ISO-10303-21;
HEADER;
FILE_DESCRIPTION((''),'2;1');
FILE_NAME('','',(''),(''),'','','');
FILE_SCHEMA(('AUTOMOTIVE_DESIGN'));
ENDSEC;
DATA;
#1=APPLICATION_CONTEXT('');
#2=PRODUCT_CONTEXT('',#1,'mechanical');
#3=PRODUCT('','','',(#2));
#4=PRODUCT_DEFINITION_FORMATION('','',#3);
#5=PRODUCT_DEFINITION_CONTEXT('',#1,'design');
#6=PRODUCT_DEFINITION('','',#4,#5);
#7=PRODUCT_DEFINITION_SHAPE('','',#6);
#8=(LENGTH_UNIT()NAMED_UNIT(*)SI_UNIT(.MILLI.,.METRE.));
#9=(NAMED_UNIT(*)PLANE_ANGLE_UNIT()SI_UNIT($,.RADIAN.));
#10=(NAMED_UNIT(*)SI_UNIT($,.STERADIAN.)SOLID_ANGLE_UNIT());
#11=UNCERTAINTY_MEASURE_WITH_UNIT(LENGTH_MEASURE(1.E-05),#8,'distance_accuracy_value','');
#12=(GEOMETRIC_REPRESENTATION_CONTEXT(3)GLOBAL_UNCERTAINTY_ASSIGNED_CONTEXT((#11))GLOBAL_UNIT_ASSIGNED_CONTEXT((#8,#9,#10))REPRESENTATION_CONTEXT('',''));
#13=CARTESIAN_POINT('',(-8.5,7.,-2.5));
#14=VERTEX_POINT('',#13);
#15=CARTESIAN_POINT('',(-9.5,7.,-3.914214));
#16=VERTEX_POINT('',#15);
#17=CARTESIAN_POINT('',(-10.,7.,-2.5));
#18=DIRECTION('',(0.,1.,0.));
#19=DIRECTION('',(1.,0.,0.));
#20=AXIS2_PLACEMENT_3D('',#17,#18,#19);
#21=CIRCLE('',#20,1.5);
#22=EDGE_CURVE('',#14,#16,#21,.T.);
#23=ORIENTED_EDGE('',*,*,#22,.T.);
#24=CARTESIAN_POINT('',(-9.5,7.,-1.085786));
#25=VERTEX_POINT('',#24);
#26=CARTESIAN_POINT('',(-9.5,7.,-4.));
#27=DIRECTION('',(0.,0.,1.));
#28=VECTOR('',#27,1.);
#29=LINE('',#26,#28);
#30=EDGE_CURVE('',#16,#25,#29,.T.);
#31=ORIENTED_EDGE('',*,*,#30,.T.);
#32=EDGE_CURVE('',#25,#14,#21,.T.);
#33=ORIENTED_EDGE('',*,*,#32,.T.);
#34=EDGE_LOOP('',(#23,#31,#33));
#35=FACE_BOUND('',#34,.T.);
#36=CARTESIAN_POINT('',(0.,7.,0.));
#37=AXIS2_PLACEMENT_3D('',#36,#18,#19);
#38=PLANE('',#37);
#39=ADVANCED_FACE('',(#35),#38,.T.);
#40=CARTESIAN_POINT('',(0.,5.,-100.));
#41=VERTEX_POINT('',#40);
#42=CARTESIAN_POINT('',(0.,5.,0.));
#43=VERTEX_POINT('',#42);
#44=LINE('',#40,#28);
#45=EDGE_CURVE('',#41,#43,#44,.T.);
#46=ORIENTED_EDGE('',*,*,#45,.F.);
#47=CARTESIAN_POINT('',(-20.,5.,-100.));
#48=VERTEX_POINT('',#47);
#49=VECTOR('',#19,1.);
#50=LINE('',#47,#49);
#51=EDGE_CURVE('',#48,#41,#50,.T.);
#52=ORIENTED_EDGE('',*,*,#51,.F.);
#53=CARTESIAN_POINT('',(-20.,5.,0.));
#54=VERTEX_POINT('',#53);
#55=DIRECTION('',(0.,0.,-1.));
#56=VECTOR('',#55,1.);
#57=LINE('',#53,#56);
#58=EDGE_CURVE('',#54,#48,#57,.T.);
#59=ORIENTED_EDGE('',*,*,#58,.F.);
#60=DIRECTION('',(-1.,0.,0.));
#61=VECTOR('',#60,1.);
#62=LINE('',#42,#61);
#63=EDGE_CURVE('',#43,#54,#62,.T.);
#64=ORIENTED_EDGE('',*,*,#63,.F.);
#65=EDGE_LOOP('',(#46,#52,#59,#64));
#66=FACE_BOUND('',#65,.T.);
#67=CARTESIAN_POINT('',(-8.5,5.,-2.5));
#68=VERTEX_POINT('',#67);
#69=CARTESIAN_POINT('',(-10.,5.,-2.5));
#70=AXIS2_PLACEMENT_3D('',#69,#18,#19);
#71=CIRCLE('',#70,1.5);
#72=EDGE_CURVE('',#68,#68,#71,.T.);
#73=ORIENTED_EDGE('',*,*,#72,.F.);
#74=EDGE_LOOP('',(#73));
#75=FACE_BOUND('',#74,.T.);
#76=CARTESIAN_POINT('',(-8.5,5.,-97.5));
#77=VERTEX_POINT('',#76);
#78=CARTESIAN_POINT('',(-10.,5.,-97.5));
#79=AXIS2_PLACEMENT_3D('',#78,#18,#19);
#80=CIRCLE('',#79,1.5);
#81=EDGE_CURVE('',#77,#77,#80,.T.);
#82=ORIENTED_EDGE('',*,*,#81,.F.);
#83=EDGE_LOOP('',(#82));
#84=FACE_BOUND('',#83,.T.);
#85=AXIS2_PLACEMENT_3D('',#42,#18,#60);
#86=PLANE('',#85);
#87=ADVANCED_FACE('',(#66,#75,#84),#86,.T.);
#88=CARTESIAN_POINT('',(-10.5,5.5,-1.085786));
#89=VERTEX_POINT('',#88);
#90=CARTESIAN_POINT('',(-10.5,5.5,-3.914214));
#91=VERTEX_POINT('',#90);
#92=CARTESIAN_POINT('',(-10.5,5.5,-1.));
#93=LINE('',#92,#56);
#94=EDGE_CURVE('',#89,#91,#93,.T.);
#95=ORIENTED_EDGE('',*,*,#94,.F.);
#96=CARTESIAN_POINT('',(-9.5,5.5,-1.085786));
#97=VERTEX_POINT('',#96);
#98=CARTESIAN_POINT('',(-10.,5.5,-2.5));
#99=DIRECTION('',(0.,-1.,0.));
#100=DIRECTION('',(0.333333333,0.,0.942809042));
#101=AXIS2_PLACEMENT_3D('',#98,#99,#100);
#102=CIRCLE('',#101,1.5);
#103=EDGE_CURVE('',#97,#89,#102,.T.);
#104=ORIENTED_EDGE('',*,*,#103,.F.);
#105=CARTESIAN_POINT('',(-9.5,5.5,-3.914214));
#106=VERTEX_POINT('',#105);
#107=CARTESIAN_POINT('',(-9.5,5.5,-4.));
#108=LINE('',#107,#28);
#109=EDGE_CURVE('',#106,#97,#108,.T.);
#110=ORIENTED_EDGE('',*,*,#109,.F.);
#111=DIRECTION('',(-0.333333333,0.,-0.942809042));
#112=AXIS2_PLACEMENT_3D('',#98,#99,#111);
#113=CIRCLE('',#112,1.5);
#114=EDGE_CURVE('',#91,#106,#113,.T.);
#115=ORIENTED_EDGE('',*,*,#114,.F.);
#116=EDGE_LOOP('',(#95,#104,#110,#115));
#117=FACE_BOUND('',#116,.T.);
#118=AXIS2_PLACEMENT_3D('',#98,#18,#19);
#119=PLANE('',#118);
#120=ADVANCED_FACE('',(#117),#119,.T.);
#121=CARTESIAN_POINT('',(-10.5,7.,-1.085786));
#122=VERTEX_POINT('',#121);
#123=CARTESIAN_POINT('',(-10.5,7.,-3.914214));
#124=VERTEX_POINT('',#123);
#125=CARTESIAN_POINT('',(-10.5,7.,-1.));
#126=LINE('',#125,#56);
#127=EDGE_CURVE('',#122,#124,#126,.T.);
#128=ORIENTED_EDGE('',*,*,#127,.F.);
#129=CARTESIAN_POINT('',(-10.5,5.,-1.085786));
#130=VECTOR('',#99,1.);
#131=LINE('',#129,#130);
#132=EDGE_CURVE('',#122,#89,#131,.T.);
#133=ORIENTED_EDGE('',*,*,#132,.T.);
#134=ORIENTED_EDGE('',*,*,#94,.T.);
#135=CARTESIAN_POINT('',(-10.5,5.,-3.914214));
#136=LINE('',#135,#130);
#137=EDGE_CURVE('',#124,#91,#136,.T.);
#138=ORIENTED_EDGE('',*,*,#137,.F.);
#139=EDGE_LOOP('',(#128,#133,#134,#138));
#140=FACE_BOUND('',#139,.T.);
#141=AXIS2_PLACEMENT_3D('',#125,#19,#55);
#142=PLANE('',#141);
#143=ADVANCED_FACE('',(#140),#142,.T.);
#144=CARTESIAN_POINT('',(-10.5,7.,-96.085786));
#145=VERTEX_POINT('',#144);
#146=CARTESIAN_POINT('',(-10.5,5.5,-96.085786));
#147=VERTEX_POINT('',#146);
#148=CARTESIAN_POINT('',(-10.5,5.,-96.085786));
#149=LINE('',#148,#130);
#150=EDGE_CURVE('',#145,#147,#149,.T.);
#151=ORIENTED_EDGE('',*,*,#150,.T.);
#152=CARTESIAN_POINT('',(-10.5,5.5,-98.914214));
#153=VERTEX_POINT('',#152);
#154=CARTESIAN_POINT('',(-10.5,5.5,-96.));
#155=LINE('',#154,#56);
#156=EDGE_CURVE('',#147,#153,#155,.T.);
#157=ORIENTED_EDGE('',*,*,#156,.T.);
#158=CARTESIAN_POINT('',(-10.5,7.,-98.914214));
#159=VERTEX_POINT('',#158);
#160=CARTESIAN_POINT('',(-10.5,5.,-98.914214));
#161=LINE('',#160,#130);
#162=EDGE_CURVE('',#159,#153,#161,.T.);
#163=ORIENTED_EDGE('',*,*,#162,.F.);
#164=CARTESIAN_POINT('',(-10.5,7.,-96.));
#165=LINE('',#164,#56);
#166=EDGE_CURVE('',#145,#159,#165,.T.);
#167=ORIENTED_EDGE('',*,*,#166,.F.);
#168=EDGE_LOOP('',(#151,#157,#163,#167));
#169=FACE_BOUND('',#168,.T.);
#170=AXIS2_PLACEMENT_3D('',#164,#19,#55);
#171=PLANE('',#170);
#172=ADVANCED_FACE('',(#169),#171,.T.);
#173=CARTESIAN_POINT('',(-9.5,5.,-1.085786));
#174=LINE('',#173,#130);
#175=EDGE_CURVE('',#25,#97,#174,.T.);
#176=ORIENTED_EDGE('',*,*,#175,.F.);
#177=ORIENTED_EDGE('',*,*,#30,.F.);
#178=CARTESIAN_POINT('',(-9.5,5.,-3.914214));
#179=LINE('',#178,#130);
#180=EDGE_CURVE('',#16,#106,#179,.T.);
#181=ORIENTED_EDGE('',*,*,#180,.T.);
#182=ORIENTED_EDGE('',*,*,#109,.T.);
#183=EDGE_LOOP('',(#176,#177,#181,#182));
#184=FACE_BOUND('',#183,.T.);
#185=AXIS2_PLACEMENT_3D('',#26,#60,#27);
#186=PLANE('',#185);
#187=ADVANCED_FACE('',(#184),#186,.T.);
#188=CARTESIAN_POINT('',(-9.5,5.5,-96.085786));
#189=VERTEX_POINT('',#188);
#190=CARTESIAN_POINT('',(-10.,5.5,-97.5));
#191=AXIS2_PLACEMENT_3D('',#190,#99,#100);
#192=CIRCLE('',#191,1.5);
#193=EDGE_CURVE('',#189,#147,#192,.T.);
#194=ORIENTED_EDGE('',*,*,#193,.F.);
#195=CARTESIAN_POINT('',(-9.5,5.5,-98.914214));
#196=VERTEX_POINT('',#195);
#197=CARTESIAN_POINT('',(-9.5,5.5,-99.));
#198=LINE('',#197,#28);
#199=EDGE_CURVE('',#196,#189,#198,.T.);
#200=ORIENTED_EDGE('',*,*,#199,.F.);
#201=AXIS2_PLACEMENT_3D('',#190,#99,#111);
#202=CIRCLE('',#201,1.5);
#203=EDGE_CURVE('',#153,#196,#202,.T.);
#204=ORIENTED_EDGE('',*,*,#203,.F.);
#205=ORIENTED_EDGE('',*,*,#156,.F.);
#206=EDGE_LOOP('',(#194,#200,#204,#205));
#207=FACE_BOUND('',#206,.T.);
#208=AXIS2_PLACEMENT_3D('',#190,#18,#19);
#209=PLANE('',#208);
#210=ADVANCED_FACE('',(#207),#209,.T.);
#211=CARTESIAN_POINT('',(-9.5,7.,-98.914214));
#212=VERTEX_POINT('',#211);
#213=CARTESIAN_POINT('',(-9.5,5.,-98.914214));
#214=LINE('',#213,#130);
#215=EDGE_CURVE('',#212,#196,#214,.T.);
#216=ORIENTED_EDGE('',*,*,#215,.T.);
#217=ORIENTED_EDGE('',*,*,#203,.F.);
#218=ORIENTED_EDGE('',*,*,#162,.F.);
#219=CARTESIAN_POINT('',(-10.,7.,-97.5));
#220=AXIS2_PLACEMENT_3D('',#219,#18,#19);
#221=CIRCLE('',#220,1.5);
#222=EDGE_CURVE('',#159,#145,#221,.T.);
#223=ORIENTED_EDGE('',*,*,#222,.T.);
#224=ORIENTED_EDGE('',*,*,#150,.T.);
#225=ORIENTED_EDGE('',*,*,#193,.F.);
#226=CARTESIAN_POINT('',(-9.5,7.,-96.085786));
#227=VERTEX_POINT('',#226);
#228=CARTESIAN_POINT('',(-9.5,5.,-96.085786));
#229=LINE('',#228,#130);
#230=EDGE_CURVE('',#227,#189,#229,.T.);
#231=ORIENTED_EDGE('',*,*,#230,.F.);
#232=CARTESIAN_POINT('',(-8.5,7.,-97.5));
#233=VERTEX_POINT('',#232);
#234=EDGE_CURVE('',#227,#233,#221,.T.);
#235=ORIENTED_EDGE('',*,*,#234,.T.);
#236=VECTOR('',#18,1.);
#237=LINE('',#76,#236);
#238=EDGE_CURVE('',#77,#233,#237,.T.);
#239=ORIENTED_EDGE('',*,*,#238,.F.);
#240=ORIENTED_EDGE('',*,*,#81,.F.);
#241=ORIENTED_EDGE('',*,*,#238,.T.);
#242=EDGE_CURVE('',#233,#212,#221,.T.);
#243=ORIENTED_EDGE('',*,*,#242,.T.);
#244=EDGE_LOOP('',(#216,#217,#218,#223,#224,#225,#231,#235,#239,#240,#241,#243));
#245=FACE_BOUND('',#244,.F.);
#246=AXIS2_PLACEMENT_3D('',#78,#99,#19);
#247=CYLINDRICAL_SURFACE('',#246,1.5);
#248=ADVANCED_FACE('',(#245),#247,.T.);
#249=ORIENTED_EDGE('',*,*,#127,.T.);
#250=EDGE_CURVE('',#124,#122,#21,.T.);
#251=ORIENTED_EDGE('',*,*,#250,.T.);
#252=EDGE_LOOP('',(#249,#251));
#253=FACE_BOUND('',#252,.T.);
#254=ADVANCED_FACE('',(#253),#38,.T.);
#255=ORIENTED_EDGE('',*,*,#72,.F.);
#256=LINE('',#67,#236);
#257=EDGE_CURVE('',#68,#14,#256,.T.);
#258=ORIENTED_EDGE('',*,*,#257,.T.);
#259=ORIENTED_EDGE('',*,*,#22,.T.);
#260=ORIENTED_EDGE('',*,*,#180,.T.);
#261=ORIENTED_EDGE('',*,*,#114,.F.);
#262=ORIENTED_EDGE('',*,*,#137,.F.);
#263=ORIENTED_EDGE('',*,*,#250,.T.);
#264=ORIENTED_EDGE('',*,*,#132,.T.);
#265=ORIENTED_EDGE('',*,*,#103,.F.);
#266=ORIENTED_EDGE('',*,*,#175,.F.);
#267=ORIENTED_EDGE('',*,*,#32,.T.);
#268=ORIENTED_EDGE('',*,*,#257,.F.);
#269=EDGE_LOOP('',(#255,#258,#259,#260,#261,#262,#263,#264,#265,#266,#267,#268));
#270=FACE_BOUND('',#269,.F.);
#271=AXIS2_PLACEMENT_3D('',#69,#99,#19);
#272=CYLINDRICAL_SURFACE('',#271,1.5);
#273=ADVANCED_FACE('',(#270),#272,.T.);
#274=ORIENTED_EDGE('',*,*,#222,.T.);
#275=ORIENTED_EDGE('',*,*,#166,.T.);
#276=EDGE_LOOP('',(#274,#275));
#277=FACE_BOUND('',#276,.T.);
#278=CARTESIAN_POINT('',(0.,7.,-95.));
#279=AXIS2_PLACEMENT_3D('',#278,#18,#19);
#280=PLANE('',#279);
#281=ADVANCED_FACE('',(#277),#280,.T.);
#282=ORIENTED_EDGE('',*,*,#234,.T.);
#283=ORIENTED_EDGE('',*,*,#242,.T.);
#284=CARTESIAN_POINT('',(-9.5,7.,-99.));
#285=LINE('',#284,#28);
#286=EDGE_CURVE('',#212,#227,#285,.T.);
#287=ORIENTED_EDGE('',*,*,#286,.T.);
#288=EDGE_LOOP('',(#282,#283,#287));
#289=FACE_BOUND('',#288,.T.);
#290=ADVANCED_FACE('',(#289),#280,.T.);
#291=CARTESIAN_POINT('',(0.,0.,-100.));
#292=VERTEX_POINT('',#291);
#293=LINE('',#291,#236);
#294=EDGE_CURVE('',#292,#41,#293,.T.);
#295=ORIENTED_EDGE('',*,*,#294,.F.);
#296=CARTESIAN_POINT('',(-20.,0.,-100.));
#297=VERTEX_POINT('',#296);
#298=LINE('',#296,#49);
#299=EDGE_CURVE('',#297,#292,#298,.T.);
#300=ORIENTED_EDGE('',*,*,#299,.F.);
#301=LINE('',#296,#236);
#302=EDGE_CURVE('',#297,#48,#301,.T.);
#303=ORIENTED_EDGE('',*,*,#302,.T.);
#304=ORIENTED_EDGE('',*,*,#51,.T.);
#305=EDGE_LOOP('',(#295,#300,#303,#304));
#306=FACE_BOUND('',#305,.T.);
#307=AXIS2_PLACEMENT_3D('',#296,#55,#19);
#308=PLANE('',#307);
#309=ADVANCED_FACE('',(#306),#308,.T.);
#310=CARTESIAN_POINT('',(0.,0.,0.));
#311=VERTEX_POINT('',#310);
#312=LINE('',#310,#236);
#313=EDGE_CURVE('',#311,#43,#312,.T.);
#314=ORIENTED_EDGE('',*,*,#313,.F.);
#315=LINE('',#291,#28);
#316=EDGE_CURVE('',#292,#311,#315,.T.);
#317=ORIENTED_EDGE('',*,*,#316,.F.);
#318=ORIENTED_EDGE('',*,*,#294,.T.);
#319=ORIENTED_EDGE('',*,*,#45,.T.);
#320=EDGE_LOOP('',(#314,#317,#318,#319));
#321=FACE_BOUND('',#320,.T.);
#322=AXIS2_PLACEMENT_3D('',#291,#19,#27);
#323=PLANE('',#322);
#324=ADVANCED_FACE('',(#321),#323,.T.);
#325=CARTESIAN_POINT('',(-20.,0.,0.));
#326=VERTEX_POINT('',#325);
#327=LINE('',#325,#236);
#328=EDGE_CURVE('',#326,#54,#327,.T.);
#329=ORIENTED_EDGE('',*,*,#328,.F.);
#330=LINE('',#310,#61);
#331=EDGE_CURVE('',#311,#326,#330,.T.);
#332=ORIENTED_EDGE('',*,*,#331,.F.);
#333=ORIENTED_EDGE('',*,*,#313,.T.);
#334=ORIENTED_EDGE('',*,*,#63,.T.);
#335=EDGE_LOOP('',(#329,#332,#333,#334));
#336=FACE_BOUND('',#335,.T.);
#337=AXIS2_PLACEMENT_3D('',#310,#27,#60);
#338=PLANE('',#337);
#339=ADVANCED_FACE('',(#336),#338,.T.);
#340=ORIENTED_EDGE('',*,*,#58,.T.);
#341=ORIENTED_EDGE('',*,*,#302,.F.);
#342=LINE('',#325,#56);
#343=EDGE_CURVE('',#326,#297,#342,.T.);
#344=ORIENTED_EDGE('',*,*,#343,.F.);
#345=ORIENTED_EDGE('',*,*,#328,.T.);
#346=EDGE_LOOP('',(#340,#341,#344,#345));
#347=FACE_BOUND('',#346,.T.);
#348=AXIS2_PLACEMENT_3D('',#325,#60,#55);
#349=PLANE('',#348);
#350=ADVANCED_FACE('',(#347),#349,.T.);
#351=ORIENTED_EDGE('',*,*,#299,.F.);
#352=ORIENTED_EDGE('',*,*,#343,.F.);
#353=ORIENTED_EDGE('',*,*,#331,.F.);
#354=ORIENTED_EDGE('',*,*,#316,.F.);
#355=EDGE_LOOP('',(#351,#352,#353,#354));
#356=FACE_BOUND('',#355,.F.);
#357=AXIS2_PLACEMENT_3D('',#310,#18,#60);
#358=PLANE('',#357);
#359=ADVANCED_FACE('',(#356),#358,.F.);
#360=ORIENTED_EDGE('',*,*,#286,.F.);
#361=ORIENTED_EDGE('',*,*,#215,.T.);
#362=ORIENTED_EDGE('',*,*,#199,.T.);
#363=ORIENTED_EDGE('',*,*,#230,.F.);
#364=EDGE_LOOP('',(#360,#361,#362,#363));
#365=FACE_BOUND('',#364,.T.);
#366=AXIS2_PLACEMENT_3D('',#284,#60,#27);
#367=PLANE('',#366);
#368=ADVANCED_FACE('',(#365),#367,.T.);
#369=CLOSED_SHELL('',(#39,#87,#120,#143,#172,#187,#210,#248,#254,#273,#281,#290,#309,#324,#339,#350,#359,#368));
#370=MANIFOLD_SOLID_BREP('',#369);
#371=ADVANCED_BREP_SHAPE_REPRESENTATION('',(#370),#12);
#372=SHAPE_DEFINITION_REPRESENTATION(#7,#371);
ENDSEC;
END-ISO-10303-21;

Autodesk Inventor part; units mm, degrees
ref_plane "YZ Plane" through (0, 0, 0) normal (1, 0, 0) x (0, 1, 0)
ref_plane "XZ Plane" through (0, 0, 0) normal (0, 1, 0) x (-1, 0, 0)
ref_plane "XY Plane" through (0, 0, 0) normal (0, 0, 1) x (1, 0, 0)
sketch "Sketch1" plane through (0, 0, 0) normal (0, 1, 0) x (-1, 0, 0)
  line L0 (0, 0) -> (20, 0)
  line L1 (20, 0) -> (20, -100)
  line L2 (20, -100) -> (0, -100)
  line L3 (0, -100) -> (0, 0)
  dimension "d0" = 20
  dimension "d1" = 100
extrude "Extrusion1" add sketch "Sketch1" along normal blind 5
sketch "Sketch2" plane through (0, 5, 0) normal (0, 1, 0) x (1, 0, 0)
  point P0 (0, 0)
sketch "Sketch3" plane through (0, 5, 0) normal (0, 1, 0) x (1, 0, 0)
  point P0 (0, 0)
sketch "Sketch4" plane through (0, 5, 0) normal (0, 1, 0) x (1, 0, 0)
  point P0 (0, 0)
sketch "Sketch5" plane through (0, 5, 0) normal (0, 1, 0) x (1, 0, 0)
  point P0 (0, 0)
sketch "Sketch6" plane through (0, 5, 0) normal (0, 1, 0) x (1, 0, 0)
  circle A0 centre (-10, 2.5) radius 1.5
  point P0 (0, 0)
  dimension "d4" = 3
extrude "Extrusion2" add sketch "Sketch6" along normal blind 2
sketch "Sketch7" plane through (-10, 7, -2.5) normal (0, 1, 0) x (1, 0, 0)
  line L0 (-0.5, 1.5) -> (0.5, 1.5)
  line L1 (0.5, 1.5) -> (0.5, -1.5)
  line L2 (0.5, -1.5) -> (-0.5, -1.5)
  line L3 (-0.5, -1.5) -> (-0.5, 1.5)
  line L4 (-0.5, 1.5) -> (0.5, -1.5) construction
  line L5 (0.5, 1.5) -> (-0.5, -1.5) construction
  point P0 (10, -2.5)
  point P1 (0, 0)
  dimension "d7" = 1
  dimension "d8" = 3
extrude "Extrusion3" cut sketch "Sketch7" against normal blind 1.5
pattern_linear "Rectangular Pattern1" count 2 spacing 95 along (0, 0, -1) of "Extrusion2", "Extrusion3"
properties material "LCP Plastic"
